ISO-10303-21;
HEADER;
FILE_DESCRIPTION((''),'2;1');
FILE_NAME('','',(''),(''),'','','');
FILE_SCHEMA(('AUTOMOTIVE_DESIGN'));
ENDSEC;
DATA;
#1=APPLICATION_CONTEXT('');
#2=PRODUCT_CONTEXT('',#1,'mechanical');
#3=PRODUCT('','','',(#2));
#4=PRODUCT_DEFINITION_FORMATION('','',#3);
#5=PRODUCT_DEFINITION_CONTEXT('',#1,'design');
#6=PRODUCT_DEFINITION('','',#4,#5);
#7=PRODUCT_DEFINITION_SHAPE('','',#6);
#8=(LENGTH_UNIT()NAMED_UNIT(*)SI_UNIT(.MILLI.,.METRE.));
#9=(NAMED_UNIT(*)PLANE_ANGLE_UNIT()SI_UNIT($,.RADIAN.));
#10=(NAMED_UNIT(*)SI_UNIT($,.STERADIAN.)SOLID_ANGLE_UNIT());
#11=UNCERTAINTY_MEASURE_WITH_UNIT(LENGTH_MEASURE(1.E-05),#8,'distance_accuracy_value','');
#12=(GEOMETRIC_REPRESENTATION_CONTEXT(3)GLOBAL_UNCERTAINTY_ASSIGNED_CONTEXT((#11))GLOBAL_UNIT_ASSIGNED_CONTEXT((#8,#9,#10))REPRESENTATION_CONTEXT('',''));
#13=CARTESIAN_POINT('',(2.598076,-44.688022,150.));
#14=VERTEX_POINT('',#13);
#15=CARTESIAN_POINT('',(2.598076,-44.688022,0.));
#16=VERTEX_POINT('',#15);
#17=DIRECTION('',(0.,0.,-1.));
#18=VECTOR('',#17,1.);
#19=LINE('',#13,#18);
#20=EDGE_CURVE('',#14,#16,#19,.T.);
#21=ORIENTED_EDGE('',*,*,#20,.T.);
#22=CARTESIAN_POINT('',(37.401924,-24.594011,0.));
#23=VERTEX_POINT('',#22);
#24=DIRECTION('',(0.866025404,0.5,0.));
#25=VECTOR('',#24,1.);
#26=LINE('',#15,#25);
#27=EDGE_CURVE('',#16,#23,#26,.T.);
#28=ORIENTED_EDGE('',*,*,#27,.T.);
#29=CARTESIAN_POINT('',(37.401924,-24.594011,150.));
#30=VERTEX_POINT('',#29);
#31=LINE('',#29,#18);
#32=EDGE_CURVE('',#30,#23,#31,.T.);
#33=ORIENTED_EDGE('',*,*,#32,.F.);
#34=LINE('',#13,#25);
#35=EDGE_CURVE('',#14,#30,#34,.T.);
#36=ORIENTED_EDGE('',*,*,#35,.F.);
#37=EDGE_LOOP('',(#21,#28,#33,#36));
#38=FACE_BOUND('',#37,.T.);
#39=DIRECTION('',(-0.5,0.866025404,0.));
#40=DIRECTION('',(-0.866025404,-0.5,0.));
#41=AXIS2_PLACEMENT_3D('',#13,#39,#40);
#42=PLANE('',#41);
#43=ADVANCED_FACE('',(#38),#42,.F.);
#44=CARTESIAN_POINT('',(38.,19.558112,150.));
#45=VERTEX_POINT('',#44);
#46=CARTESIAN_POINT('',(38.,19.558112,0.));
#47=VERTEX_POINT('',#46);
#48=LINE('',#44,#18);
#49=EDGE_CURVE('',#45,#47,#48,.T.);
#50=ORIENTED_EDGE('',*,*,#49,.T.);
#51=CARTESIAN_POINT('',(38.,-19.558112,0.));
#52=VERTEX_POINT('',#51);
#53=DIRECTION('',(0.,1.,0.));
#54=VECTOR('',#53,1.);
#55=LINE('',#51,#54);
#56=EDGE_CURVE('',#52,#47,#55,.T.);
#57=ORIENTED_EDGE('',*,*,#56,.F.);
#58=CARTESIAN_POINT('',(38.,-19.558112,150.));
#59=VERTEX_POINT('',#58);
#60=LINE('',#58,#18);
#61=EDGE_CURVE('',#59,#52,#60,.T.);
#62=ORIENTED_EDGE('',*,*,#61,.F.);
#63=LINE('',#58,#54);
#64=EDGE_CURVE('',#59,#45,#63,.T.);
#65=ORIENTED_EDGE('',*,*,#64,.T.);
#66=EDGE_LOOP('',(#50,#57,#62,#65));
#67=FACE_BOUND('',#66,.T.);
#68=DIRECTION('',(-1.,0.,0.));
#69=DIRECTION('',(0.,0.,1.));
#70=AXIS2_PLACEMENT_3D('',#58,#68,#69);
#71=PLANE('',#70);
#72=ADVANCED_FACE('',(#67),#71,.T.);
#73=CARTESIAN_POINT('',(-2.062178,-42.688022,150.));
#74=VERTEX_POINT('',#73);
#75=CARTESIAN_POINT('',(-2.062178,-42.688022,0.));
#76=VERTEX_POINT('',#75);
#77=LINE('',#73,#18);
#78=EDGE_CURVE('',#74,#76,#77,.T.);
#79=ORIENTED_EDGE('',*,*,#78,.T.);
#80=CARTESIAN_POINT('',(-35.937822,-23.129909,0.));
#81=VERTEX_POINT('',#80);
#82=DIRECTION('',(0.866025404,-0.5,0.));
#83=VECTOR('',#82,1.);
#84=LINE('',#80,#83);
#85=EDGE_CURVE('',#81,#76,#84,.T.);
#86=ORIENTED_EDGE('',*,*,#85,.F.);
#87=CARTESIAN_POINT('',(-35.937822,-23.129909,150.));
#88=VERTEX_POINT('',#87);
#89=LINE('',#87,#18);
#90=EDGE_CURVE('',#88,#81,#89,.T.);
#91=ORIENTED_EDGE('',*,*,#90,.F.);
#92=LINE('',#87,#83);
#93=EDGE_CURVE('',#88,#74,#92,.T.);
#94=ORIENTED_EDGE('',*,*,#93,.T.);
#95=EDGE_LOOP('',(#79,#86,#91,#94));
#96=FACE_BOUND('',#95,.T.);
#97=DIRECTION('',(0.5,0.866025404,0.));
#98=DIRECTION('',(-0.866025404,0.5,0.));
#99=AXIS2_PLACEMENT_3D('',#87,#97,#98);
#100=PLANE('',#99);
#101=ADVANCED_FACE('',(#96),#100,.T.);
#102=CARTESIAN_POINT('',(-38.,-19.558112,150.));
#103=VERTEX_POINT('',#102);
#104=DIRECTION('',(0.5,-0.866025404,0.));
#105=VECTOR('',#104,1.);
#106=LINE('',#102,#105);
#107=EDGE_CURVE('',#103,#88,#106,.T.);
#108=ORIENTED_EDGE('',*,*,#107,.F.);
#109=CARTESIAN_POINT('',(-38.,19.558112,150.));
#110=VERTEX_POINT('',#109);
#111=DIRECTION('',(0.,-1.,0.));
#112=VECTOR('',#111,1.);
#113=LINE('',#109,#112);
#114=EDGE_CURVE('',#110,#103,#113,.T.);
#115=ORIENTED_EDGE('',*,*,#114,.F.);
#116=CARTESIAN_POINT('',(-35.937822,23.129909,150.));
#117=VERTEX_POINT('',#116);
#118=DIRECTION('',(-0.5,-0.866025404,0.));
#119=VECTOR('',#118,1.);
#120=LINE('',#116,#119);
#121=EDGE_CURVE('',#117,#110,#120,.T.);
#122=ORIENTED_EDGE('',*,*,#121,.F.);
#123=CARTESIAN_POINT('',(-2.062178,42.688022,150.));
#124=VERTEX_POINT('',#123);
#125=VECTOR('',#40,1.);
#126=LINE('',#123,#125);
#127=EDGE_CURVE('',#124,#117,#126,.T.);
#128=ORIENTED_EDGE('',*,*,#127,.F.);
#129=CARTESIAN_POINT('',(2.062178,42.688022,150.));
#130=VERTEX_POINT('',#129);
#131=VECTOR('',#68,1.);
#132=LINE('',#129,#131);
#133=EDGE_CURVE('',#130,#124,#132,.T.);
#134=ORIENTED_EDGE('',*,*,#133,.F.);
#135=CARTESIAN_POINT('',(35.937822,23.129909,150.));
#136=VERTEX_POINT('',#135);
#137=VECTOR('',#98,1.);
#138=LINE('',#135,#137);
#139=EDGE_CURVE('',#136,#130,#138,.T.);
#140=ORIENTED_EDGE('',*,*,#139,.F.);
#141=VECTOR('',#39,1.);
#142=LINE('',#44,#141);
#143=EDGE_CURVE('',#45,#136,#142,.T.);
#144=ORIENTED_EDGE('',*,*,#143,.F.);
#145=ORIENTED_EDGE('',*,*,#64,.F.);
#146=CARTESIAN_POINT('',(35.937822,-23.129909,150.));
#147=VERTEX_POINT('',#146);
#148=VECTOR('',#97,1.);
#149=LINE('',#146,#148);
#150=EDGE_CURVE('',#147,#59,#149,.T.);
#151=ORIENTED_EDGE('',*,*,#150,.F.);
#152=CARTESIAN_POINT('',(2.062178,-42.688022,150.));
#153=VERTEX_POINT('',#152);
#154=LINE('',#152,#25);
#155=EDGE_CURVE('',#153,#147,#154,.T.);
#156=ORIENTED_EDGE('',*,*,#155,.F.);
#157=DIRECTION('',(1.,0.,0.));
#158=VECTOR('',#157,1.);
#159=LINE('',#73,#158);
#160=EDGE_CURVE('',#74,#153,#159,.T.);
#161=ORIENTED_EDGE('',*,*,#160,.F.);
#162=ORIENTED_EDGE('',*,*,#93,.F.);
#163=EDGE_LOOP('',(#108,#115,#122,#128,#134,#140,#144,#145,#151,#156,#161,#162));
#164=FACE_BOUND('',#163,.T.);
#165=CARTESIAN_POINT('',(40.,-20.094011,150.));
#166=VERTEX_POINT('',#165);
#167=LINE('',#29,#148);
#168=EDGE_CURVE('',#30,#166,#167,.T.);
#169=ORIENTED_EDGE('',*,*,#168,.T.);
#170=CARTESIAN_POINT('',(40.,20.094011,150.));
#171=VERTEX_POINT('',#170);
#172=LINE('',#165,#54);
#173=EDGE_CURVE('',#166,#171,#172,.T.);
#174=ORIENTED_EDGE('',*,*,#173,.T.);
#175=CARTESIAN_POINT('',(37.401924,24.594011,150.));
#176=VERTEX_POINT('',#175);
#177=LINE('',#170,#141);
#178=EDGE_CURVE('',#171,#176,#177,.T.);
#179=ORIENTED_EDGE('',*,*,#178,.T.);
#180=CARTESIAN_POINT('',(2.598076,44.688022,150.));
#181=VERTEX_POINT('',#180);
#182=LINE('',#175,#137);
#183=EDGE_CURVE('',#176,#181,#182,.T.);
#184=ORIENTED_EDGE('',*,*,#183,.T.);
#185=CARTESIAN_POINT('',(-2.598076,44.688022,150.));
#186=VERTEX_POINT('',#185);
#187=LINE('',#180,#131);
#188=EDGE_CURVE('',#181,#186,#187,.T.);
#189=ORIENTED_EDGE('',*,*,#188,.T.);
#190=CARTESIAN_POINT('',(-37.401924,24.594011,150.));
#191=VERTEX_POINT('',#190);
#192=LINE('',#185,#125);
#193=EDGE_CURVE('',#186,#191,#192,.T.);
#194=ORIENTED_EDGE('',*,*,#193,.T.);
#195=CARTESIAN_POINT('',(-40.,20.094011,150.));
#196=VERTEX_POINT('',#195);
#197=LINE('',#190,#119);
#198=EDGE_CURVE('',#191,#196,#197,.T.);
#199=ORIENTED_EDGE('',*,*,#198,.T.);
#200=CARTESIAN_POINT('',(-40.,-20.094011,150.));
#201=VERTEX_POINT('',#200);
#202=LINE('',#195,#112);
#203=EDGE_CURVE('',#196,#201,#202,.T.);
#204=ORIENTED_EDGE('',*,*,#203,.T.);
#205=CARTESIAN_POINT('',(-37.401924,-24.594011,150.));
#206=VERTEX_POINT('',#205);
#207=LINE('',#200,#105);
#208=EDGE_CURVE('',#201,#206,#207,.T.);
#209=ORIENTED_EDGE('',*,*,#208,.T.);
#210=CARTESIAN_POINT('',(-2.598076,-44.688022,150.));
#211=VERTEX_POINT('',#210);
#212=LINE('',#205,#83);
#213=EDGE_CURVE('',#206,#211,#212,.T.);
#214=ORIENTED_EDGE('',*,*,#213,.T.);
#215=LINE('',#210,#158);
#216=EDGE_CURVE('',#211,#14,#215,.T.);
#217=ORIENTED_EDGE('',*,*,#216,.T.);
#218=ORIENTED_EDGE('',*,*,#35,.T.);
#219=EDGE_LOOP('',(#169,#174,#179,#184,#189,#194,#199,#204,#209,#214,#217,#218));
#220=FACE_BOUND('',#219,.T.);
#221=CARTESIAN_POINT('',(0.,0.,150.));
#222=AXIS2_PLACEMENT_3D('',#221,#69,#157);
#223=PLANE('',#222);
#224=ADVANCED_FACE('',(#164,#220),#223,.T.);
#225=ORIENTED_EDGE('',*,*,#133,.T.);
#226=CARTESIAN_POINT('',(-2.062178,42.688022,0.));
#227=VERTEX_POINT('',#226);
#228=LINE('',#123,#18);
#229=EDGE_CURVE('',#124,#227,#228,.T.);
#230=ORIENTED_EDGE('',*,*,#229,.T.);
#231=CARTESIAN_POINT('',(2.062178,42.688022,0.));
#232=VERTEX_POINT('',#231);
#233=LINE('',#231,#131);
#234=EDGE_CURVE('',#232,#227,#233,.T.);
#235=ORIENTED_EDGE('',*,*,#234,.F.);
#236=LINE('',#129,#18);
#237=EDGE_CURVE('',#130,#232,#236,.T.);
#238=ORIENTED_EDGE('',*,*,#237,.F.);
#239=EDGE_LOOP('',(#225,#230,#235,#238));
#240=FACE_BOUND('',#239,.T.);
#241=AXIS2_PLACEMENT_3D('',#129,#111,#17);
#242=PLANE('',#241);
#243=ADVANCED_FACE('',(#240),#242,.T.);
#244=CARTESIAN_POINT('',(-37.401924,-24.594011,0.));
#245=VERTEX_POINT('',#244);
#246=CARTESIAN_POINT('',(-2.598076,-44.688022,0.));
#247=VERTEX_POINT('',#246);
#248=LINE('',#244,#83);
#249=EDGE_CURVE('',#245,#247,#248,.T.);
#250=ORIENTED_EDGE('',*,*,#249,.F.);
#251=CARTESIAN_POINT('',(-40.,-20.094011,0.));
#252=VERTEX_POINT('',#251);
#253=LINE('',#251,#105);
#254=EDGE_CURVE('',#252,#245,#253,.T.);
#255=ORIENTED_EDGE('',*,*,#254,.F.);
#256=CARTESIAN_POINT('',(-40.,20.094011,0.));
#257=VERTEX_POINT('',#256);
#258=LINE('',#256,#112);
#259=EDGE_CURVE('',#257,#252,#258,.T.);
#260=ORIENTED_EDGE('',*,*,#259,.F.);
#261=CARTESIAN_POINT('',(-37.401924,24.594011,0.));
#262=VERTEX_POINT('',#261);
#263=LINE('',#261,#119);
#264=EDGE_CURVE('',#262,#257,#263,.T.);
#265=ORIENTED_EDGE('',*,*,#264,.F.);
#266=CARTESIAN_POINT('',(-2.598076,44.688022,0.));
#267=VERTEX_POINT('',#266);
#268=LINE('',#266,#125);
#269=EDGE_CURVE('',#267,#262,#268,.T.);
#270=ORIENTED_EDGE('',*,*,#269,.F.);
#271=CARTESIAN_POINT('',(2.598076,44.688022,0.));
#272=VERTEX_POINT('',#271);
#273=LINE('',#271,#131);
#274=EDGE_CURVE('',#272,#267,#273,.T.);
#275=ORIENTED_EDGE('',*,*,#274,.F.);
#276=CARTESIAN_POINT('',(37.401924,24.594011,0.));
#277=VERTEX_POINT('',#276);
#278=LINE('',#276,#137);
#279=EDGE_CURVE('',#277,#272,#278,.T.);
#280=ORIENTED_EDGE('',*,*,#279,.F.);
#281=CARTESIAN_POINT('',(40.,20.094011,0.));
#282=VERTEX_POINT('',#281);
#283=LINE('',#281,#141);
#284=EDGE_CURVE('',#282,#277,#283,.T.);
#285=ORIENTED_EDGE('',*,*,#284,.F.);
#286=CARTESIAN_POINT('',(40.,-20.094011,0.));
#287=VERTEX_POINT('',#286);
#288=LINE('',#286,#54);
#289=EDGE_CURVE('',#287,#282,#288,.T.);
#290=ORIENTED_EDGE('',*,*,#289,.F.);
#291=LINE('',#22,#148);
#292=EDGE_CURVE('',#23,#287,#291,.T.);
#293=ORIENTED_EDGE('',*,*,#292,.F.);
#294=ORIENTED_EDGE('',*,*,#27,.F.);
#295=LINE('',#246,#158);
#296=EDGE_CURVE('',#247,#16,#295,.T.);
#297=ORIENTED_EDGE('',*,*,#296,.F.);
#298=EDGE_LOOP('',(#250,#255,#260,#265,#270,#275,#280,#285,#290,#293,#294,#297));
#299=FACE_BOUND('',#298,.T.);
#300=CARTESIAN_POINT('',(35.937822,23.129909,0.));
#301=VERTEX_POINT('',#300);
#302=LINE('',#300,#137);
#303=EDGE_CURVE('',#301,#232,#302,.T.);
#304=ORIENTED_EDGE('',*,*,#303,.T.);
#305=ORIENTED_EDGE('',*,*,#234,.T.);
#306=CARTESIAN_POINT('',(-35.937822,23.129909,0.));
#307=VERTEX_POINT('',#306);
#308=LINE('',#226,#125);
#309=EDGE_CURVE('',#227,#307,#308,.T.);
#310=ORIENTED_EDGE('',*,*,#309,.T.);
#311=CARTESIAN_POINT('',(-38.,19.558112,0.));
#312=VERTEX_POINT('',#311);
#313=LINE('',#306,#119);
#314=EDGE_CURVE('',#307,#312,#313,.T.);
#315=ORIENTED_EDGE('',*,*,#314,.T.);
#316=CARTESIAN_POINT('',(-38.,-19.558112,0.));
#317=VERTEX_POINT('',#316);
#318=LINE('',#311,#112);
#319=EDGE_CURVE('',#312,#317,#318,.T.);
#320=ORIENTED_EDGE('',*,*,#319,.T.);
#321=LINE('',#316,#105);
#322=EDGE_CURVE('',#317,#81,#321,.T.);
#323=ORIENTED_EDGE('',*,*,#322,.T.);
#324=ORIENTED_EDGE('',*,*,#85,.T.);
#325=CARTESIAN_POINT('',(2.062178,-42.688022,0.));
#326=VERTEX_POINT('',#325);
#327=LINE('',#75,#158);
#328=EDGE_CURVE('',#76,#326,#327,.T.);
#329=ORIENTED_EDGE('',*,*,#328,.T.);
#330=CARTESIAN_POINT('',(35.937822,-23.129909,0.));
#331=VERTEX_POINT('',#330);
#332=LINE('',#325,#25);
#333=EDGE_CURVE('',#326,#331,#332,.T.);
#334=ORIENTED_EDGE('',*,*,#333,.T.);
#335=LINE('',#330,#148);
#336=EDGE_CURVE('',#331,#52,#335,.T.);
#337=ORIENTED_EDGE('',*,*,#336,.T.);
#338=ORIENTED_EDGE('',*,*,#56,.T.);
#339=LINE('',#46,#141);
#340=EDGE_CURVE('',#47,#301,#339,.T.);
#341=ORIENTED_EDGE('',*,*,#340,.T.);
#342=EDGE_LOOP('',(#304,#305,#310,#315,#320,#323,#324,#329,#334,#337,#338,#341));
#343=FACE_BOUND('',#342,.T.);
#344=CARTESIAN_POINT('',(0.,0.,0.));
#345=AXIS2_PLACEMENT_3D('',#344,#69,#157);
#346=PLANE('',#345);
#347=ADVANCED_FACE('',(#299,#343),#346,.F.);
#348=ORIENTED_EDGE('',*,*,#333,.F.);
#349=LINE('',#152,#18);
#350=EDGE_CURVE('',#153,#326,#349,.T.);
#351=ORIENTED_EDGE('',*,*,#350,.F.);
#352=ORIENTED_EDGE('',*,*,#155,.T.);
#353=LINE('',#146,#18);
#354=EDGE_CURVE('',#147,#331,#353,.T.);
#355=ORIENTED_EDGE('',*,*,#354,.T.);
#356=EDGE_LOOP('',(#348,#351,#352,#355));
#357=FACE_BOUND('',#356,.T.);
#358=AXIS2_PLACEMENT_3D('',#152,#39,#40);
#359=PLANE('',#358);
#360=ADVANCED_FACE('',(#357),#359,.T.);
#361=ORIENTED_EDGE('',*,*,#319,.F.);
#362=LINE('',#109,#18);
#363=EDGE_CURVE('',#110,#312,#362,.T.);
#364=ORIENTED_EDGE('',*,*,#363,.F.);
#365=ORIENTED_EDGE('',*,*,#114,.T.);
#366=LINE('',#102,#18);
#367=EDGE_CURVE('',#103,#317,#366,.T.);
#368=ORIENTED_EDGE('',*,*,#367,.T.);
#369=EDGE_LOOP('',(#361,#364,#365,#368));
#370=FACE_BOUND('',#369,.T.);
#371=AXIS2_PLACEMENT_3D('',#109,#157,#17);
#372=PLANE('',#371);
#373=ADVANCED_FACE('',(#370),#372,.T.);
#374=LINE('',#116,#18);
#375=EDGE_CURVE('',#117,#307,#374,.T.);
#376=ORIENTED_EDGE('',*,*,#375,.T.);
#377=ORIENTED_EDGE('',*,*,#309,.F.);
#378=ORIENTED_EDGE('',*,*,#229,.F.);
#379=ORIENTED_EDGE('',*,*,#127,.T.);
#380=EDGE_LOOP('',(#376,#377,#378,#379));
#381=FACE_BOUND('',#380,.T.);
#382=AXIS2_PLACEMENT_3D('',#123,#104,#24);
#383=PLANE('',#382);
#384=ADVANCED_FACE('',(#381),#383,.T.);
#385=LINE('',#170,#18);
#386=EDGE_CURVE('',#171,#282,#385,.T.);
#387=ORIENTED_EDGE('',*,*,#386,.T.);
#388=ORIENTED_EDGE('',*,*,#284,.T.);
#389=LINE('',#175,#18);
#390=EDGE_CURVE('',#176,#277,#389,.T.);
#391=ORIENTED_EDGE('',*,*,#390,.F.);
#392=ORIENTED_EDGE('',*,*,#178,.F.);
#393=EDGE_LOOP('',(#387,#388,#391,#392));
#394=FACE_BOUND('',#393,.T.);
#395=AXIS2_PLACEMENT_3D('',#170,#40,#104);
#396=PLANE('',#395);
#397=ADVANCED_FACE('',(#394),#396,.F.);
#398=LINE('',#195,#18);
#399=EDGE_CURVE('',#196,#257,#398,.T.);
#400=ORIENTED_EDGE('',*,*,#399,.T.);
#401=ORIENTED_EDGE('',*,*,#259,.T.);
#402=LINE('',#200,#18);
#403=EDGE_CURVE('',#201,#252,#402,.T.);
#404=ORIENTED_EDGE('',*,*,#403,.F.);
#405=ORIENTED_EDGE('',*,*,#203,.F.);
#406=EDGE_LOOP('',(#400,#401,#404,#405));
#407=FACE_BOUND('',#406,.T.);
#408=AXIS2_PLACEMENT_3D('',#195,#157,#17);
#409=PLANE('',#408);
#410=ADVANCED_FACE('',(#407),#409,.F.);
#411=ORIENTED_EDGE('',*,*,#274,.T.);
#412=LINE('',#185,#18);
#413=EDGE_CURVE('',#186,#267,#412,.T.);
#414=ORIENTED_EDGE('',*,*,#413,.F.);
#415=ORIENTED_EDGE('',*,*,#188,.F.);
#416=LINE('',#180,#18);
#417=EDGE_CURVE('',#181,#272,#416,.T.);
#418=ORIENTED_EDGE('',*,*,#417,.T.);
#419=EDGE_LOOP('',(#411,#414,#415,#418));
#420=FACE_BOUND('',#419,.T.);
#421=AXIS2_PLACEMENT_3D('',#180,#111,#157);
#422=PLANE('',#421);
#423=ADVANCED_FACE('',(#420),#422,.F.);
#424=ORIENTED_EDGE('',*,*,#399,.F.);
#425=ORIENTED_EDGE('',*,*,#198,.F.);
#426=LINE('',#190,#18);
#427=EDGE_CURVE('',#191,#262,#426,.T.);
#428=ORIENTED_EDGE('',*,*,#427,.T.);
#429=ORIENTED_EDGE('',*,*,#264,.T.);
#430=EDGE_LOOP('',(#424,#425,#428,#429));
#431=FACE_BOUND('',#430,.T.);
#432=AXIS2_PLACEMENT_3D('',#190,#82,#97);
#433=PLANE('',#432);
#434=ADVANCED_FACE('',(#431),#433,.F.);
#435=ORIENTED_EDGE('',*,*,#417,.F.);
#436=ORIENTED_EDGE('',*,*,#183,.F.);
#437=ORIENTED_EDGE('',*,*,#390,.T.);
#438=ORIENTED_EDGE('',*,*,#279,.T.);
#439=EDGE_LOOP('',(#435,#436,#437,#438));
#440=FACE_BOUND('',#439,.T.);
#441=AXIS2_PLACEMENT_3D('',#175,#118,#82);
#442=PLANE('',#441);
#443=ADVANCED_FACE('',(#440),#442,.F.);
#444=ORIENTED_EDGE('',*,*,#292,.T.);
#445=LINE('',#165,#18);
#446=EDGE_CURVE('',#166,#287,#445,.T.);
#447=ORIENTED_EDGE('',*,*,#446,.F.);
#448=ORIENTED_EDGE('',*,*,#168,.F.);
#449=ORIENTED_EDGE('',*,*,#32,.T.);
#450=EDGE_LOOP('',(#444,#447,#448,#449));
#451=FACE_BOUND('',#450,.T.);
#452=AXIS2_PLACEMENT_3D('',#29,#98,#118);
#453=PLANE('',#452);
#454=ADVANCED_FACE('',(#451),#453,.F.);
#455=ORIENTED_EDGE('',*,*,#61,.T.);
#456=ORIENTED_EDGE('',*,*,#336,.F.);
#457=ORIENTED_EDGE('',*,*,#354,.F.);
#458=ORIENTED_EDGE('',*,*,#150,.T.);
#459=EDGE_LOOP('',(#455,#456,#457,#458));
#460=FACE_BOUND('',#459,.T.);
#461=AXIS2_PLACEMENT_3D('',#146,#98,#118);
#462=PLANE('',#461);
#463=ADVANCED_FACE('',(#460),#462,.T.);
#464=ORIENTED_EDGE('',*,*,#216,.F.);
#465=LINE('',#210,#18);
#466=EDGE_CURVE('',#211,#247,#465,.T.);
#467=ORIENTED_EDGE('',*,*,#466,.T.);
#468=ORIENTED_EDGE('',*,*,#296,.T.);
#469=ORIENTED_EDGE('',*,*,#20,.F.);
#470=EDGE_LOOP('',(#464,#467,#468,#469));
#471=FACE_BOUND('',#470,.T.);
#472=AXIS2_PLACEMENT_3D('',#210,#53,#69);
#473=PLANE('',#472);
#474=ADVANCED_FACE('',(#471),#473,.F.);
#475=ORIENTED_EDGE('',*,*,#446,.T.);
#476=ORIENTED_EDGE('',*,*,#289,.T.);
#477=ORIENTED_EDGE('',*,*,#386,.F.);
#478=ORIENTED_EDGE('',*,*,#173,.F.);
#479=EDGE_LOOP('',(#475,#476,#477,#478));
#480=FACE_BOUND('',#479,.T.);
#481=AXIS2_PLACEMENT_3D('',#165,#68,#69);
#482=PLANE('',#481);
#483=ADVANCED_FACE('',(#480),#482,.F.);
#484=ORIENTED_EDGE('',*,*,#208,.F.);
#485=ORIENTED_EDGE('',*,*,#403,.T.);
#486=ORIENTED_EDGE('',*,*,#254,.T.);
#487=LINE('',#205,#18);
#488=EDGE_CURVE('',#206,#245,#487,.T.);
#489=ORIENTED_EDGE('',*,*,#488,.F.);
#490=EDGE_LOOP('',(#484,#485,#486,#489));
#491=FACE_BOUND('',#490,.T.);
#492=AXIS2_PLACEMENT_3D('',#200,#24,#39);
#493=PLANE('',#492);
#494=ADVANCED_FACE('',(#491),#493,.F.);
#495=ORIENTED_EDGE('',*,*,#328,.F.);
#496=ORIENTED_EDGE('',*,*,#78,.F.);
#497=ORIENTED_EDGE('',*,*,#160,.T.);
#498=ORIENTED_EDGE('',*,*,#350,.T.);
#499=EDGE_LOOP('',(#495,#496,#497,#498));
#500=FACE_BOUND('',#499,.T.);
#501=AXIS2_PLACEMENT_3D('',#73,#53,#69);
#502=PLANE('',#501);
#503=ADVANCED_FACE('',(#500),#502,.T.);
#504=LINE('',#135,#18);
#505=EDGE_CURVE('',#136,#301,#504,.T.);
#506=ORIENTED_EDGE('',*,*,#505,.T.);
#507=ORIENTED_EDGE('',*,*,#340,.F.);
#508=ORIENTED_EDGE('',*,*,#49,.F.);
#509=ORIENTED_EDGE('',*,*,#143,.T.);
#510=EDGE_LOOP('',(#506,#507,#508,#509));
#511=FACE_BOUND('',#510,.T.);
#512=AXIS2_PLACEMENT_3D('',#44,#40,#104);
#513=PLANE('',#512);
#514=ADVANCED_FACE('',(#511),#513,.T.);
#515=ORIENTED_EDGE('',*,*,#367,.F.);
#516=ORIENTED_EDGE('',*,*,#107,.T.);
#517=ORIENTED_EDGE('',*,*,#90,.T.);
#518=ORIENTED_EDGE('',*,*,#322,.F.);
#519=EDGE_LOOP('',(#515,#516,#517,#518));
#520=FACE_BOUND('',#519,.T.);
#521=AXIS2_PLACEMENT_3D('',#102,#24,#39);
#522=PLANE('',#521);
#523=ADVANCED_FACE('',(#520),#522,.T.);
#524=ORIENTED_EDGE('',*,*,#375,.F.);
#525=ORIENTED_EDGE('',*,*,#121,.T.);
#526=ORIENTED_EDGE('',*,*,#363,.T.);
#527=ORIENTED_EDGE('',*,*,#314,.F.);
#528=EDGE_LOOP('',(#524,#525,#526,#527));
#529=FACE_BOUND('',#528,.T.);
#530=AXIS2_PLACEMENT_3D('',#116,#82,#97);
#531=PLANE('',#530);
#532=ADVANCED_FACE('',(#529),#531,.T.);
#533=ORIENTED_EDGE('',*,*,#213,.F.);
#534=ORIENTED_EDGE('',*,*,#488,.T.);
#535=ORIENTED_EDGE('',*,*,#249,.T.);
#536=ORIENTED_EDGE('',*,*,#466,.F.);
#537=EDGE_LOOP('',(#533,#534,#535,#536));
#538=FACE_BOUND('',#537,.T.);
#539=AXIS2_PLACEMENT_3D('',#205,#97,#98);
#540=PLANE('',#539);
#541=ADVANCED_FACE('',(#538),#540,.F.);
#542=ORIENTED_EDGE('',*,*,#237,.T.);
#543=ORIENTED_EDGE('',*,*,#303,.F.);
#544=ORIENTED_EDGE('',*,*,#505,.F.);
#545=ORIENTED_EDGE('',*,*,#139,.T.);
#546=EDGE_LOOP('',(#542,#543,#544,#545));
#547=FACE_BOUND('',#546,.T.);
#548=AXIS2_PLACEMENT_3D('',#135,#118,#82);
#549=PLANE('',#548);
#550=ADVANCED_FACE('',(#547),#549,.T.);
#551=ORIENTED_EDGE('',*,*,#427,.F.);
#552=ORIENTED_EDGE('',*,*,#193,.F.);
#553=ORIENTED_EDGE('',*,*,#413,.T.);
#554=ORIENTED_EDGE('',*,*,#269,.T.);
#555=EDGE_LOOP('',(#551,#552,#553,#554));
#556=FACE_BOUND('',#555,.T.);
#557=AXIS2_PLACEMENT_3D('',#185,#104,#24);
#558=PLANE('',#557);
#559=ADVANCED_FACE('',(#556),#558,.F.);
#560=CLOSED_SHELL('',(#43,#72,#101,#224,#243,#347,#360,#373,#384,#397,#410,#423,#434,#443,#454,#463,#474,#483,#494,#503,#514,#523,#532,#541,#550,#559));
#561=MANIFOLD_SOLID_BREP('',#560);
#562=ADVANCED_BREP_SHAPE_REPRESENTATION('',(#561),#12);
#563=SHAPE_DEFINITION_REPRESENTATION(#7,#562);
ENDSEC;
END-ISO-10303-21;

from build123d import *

# Parameters (mm, degrees)
EXTRUDE_1_DEPTH = 150


with BuildPart() as part:
    # Эскиз1 → Бобышка-Вытянуть1 (new body)
    with BuildSketch(Plane.XY):
        Polygon((2.598076211, 44.688021535), (-2.598076211, 44.688021535), (-37.401923789, 24.594010768), (-40, 20.094010768), (-40, -20.094010768), (-37.401923789, -24.594010768), (-2.598076211, -44.688021535), (2.598076211, -44.688021535), (37.401923789, -24.594010768), (40, -20.094010768), (40, 20.094010768), (37.401923789, 24.594010768), align=None)
        Polygon((-2.062177826, 42.688021535), (-35.937822174, 23.129909152), (-38, 19.558112383), (-38, -19.558112383), (-35.937822174, -23.129909152), (-2.062177826, -42.688021535), (2.062177826, -42.688021535), (35.937822174, -23.129909152), (38, -19.558112383), (38, 19.558112383), (35.937822174, 23.129909152), (2.062177826, 42.688021535), align=None, mode=Mode.SUBTRACT)
    extrude(amount=EXTRUDE_1_DEPTH)


solid = part.part
